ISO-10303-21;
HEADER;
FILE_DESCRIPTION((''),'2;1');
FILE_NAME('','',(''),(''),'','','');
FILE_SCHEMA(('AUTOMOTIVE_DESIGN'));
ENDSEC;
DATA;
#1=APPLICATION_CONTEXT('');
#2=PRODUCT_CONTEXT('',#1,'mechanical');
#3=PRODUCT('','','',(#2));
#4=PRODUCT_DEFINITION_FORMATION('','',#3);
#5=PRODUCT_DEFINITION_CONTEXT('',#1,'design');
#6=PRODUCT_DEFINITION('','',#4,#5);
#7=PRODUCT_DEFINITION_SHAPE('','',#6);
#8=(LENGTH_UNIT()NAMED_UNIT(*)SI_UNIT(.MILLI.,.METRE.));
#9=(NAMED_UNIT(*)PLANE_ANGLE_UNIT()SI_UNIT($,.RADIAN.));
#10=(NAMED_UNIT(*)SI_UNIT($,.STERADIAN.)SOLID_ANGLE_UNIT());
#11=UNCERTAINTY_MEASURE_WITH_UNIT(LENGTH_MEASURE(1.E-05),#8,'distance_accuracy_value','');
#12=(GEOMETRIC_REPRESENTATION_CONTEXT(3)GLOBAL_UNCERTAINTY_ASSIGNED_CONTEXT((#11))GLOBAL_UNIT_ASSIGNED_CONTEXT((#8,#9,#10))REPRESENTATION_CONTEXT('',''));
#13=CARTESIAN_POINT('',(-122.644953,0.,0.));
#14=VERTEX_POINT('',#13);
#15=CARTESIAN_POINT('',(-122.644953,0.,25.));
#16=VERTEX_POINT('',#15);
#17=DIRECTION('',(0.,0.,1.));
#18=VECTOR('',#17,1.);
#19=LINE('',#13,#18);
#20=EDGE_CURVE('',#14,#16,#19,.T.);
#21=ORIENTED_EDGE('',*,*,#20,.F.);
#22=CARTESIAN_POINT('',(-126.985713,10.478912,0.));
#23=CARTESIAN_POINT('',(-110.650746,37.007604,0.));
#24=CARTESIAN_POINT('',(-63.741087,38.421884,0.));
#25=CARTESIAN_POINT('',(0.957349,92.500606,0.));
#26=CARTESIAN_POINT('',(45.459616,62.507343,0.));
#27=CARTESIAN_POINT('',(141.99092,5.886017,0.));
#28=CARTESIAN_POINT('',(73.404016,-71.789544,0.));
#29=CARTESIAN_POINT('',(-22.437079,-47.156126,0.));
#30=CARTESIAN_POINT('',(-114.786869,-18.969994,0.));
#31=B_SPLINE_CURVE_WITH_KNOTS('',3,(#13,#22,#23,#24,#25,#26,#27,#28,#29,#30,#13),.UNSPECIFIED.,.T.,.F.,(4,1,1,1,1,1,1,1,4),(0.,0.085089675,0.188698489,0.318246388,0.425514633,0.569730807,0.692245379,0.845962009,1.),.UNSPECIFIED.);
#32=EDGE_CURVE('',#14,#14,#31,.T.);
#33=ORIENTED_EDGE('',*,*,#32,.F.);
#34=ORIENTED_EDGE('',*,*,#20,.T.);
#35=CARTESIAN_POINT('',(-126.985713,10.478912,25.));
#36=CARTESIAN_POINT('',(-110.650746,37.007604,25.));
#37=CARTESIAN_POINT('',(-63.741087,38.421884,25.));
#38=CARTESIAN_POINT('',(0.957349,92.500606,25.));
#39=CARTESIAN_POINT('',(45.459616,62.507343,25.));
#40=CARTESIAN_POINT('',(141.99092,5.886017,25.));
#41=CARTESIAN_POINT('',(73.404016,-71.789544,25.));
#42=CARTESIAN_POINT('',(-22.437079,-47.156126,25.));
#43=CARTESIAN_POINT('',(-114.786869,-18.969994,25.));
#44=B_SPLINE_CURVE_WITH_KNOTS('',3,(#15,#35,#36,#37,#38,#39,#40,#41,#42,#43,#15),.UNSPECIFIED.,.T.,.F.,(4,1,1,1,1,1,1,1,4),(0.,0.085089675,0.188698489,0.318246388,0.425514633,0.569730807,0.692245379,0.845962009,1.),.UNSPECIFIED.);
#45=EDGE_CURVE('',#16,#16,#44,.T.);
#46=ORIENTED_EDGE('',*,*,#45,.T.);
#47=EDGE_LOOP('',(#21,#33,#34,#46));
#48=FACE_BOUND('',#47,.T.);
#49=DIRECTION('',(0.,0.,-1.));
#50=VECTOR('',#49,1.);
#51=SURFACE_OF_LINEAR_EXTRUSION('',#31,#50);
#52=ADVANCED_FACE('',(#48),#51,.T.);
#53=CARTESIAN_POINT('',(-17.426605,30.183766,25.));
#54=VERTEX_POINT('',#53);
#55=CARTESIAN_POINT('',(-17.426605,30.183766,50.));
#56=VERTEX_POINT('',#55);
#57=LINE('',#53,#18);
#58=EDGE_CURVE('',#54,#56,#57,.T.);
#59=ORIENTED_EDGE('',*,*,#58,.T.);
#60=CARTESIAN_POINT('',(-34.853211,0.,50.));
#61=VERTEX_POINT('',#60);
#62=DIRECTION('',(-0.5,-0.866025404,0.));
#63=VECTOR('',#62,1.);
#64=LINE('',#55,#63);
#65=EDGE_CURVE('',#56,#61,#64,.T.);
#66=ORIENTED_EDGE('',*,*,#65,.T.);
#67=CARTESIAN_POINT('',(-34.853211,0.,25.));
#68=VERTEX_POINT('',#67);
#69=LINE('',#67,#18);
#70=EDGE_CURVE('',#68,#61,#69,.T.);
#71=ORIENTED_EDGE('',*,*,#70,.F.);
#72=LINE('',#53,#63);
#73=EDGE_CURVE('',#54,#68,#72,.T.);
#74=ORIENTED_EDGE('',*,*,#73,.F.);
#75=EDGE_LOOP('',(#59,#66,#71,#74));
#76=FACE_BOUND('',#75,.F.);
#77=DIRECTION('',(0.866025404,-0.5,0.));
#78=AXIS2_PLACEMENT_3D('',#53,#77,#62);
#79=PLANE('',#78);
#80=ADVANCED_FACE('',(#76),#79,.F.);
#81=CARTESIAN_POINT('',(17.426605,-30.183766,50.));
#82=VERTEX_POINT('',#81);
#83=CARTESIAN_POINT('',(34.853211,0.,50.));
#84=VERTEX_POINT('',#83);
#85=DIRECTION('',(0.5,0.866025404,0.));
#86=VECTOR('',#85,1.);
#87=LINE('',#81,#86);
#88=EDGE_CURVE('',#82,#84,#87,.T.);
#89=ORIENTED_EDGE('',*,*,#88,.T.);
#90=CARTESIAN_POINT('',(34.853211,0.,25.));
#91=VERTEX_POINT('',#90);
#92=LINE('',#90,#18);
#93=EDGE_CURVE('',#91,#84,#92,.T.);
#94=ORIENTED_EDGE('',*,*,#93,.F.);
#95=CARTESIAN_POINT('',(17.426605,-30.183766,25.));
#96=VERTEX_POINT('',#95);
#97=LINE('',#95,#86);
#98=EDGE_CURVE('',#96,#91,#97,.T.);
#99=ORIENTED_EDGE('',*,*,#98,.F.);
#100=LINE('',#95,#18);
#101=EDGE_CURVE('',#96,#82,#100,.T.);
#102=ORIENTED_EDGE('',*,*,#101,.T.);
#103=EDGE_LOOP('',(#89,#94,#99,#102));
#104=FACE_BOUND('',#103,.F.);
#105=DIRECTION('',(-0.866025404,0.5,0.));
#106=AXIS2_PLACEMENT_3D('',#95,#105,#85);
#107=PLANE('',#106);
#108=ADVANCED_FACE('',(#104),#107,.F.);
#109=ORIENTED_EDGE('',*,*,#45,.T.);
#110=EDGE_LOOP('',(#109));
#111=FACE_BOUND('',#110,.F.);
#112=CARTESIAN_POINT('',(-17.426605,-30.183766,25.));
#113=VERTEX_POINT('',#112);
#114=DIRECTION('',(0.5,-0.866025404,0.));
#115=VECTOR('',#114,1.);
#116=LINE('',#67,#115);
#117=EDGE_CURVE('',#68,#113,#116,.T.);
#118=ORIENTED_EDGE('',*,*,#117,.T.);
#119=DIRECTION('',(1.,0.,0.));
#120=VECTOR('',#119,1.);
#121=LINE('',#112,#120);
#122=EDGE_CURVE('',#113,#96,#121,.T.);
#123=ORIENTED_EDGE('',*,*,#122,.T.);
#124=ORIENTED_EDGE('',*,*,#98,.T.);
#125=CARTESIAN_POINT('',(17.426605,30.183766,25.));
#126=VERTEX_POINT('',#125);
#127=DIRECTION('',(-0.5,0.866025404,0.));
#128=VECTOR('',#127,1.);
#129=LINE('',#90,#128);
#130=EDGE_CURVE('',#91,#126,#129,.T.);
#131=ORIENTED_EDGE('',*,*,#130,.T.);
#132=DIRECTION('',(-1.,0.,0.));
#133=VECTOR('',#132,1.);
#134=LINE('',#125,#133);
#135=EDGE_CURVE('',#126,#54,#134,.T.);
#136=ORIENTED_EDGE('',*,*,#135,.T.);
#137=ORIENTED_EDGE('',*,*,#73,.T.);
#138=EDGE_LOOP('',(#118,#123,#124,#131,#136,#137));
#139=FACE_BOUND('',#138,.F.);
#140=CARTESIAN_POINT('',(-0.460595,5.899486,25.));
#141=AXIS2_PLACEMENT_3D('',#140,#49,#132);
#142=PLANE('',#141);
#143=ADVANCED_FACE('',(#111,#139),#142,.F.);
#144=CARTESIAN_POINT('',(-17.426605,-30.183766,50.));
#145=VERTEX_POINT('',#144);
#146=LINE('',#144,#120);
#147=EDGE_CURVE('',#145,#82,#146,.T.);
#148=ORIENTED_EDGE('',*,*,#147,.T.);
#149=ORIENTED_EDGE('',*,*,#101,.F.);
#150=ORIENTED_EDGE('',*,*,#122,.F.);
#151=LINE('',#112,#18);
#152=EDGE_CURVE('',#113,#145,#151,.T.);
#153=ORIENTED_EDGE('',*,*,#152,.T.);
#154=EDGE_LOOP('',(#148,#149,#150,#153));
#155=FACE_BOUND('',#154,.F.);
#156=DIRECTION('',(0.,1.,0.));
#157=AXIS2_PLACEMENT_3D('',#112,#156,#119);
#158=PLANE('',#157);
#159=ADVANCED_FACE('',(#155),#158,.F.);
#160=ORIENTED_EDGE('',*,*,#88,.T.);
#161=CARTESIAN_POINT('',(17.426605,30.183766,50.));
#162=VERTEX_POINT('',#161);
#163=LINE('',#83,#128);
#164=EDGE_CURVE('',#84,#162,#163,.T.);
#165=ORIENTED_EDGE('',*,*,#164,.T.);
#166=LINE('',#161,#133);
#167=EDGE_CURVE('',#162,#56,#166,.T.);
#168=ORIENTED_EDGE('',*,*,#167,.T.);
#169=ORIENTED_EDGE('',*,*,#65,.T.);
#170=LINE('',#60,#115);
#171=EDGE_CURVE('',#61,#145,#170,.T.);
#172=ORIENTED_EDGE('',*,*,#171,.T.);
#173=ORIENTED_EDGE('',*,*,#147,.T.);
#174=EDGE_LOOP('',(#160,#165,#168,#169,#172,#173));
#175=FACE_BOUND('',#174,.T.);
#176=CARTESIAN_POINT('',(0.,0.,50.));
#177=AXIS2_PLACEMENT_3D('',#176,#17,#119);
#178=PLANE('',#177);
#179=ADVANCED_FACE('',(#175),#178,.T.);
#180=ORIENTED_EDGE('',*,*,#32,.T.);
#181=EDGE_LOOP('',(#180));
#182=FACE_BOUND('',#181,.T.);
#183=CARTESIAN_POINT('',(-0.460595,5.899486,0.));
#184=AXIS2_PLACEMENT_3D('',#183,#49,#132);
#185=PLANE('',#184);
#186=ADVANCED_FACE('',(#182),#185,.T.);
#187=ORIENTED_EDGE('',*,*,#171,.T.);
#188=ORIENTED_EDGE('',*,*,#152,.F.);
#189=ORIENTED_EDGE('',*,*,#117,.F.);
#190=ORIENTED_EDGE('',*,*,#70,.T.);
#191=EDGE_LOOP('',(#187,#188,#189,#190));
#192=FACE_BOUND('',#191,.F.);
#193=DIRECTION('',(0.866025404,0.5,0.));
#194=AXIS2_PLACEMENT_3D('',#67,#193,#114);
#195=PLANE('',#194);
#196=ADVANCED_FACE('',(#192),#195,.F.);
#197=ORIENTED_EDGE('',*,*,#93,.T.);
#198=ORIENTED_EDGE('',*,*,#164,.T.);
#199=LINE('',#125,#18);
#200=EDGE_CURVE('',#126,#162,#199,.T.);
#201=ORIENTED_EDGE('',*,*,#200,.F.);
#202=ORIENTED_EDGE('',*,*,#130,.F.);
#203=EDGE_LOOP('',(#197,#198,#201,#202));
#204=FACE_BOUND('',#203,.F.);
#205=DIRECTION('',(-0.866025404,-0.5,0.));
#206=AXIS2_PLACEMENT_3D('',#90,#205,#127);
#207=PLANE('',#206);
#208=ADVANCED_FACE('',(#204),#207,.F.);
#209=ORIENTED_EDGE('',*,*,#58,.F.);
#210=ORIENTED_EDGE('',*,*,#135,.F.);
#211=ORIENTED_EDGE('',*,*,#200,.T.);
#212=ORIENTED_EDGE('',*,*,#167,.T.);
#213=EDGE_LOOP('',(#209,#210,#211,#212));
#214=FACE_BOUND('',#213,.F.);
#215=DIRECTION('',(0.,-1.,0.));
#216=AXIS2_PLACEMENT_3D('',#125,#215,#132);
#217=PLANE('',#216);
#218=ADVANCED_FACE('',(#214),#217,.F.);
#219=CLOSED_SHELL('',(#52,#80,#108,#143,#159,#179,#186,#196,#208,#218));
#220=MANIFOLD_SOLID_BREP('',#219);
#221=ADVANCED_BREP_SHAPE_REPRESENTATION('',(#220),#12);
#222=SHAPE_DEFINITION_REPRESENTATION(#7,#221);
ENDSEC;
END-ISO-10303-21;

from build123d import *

# Parameters (mm, degrees)
F1_DEPTH = 25
F3_DEPTH = 25


with BuildPart() as f1:
    # F0 (on Top) → F1 (new body)
    with BuildSketch(Plane.XY):
        with BuildLine():
            add(Edge.make_bspline(
                [(-122.6449534297, 0), (-126.9857130007, 10.4789124314), (-110.6507464217, 37.0076037524), (-63.7410870152, 38.4218836746), (0.957349058, 92.5006061196), (45.4596160599, 62.5073426788), (141.9909195075, 5.8860169646), (73.4040162206, -71.7895436738), (-22.4370791853, -47.1561260091), (-114.7868686225, -18.9699938977), (-122.6449534297, 0)],
                knots=[0, 0, 0, 0, 0.0850896754, 0.1886984886, 0.3182463885, 0.4255146331, 0.5697308072, 0.6922453789, 0.8459620086, 1, 1, 1, 1], degree=3))
        make_face()
    extrude(amount=F1_DEPTH)

    # F2 (on face) → F3 (join)
    with BuildSketch(Plane.XY.offset(25)):
        Polygon((17.4266054467, 30.1837660372), (-17.4266054467, 30.1837660372), (-34.8532108935, 0), (-17.4266054467, -30.1837660372), (17.4266054467, -30.1837660372), (34.8532108935, 0), align=None)
    extrude(amount=F3_DEPTH)


solid = f1.part
